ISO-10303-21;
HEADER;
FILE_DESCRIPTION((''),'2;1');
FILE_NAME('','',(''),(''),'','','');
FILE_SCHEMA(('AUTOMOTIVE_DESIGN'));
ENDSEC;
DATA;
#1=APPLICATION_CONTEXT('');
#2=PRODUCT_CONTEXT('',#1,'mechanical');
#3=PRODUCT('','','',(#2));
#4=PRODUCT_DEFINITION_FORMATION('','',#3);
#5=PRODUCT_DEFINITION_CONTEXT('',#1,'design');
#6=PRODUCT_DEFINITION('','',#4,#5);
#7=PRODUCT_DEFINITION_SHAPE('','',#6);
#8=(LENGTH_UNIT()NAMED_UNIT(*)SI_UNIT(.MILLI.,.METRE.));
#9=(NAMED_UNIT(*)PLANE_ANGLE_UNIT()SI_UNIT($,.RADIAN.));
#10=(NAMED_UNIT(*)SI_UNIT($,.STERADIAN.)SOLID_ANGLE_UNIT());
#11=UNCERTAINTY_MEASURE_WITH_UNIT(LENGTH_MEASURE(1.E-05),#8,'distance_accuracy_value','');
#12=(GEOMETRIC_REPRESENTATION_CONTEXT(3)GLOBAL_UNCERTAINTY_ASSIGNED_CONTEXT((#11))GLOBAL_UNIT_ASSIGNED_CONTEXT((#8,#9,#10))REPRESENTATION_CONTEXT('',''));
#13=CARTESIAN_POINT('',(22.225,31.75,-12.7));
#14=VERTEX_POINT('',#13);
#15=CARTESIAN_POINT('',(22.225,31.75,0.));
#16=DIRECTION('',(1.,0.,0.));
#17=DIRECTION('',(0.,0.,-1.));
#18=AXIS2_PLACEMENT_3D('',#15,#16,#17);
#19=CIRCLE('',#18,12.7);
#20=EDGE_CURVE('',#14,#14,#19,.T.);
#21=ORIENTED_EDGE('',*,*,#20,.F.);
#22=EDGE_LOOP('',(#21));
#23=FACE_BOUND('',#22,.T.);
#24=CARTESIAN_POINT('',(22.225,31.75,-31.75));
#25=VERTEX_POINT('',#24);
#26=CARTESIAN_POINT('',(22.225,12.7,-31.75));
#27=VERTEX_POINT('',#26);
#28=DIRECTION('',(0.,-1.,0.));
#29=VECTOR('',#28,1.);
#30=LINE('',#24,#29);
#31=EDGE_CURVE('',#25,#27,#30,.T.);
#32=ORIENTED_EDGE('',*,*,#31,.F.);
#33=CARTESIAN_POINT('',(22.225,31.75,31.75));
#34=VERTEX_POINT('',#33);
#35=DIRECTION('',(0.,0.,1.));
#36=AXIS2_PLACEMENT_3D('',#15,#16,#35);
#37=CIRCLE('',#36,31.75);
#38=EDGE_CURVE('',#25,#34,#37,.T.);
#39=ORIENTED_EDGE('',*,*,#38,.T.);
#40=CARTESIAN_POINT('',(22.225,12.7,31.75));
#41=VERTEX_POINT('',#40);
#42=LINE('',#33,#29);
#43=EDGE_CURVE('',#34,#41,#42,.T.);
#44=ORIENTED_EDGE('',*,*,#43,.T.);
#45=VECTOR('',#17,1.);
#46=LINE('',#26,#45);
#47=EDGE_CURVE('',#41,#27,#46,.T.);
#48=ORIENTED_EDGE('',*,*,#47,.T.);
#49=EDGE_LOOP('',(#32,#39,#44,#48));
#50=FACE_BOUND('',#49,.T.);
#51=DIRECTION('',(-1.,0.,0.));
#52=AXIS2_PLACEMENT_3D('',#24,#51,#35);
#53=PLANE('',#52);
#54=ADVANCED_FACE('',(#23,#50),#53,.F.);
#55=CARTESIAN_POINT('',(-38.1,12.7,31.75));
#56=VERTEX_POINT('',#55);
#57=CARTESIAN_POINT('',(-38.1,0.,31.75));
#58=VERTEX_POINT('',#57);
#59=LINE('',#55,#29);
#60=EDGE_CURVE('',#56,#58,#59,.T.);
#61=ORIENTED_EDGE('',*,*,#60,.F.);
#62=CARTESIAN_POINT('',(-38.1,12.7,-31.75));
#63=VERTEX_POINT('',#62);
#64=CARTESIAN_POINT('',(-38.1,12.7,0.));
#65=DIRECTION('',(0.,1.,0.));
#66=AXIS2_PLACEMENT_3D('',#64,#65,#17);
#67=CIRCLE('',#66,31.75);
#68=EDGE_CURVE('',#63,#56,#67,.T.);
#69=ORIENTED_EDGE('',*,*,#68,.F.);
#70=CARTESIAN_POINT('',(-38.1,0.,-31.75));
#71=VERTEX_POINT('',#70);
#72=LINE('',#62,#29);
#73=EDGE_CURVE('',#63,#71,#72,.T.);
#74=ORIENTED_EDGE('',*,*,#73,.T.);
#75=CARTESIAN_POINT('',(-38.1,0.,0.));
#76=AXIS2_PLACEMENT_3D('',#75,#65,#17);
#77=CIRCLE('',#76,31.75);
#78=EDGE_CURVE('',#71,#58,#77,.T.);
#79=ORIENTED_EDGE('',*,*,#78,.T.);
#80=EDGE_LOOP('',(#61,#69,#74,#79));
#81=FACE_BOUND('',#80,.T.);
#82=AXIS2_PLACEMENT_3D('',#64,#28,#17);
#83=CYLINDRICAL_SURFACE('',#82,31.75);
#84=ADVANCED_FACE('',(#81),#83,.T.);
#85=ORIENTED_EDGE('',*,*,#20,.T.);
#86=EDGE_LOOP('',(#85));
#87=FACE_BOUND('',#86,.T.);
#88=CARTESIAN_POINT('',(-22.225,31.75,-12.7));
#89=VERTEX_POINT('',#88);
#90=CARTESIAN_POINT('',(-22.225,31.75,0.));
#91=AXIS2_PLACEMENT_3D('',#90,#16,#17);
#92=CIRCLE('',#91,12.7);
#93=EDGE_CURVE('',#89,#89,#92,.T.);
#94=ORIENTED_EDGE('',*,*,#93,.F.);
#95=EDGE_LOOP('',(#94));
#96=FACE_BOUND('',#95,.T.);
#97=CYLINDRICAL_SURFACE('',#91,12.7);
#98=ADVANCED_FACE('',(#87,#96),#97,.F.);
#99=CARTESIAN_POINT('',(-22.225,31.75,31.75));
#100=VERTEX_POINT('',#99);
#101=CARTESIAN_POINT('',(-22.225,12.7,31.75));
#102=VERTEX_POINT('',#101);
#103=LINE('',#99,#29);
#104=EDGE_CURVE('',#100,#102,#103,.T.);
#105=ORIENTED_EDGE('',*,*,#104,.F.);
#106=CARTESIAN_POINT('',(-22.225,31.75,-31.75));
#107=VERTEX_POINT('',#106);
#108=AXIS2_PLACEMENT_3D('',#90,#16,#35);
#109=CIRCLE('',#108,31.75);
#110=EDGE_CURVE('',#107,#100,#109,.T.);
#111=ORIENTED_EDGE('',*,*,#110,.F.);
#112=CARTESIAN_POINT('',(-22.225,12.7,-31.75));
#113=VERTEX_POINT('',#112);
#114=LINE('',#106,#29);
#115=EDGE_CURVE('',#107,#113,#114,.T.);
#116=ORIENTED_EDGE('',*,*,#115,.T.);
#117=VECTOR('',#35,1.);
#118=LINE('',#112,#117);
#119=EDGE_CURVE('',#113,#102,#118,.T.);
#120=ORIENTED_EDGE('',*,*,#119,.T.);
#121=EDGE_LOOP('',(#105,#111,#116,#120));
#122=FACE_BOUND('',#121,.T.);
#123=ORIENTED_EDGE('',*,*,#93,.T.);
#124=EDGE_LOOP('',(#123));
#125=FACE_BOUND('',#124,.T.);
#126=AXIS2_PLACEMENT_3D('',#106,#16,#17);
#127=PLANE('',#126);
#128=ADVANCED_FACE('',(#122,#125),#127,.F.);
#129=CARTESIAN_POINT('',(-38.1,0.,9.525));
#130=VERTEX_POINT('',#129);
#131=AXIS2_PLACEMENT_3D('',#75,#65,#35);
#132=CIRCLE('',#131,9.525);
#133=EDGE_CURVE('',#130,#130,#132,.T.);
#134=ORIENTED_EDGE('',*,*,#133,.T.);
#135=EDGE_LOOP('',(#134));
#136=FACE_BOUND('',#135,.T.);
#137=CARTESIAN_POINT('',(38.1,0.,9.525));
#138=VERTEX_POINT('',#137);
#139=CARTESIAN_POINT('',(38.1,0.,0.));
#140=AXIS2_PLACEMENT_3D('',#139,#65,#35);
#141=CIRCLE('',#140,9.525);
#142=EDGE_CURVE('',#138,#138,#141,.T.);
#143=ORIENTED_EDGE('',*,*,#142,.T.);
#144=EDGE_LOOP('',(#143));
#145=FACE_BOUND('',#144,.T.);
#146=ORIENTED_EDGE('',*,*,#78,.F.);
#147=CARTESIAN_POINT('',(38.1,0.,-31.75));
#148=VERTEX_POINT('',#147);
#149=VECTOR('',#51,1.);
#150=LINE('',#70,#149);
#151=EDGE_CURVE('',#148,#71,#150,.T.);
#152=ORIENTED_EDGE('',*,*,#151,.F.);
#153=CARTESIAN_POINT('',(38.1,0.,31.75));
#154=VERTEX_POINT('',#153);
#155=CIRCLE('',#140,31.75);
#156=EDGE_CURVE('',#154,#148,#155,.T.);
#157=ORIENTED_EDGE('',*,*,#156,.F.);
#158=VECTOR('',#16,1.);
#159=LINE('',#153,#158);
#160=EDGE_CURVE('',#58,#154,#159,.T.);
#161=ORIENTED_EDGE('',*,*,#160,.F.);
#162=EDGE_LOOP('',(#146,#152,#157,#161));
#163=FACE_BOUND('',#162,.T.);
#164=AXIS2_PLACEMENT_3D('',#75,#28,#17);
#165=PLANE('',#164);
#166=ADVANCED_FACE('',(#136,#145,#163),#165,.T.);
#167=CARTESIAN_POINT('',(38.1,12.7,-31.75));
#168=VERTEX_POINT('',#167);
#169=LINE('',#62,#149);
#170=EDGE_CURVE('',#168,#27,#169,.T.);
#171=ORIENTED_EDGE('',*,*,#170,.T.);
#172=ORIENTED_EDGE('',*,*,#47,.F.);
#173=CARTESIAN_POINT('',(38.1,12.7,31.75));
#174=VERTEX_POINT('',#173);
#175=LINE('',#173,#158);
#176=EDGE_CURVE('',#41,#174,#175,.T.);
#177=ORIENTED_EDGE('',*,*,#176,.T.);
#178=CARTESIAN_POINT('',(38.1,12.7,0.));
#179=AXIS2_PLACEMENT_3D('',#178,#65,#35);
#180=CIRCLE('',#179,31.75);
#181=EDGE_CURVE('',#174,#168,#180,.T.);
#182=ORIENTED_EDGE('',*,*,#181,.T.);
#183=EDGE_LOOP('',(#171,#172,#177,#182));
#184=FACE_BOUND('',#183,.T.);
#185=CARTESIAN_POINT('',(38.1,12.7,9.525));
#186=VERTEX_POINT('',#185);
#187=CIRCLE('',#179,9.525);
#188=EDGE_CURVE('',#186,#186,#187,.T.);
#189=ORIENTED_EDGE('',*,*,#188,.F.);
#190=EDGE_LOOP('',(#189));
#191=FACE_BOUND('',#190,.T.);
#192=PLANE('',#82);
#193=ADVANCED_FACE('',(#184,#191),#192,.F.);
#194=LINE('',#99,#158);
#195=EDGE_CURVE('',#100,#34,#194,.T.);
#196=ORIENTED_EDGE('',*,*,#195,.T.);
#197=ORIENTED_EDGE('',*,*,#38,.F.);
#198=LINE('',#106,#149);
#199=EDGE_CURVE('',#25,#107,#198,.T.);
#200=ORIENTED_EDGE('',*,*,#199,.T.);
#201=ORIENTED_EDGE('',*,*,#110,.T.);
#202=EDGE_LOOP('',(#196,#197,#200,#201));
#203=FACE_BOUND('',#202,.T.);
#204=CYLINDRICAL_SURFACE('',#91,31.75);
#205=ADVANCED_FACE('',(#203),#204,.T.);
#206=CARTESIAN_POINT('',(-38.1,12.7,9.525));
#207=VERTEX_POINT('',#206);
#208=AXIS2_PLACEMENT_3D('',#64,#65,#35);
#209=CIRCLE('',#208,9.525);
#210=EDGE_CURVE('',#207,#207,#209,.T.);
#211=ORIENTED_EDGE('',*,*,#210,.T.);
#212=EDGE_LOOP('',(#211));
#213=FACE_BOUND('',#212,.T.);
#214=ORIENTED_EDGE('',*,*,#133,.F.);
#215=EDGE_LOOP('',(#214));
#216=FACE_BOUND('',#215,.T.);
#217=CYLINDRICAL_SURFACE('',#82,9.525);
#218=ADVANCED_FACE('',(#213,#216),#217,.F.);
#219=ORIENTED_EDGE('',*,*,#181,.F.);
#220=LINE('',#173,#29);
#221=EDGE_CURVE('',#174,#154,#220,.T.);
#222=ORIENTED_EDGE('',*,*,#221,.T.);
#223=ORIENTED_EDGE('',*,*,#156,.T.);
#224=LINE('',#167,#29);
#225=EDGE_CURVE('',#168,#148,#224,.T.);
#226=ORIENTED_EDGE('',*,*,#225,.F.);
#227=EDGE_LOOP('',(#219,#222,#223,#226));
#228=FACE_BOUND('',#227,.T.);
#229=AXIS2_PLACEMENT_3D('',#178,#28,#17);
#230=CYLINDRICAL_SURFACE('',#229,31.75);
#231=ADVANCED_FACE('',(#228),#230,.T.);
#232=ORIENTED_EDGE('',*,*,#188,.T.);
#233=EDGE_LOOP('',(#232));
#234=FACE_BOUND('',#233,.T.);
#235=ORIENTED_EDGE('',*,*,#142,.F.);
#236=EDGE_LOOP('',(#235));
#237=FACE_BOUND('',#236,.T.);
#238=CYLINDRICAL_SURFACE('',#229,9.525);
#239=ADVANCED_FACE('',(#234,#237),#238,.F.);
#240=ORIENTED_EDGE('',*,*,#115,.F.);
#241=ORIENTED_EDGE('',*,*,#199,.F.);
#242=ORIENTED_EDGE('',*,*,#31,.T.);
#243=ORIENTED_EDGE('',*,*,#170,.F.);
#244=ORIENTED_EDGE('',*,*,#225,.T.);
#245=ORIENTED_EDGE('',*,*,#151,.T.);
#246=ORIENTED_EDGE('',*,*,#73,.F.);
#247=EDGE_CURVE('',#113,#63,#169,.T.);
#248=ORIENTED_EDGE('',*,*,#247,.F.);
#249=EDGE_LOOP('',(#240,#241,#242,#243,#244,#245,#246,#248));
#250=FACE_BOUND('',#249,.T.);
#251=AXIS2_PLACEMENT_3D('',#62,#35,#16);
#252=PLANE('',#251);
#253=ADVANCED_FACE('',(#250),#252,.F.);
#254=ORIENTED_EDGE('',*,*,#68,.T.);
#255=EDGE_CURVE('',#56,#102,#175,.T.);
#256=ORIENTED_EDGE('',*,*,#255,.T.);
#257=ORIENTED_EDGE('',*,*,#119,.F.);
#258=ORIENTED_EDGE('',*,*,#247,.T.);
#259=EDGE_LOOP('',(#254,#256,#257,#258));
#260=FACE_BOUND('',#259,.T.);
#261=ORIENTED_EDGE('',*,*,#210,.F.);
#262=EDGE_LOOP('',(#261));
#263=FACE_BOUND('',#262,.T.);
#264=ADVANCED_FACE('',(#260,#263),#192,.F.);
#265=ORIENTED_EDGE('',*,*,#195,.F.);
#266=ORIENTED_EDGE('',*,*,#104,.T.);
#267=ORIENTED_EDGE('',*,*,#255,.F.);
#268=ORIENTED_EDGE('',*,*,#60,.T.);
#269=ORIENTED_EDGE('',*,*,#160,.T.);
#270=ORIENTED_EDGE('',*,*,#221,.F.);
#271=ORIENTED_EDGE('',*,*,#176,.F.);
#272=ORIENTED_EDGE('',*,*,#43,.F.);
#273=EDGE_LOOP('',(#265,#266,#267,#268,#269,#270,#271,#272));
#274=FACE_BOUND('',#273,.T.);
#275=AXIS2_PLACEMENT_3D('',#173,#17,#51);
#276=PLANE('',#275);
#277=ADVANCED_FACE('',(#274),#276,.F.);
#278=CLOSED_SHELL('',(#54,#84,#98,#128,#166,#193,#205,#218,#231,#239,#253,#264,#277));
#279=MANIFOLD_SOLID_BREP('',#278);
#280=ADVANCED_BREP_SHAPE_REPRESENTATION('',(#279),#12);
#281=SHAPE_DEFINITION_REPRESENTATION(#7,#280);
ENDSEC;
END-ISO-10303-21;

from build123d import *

# Parameters (mm, degrees)
SKETCH1_R           = 9.525
BOSS_EXTRUDE2_DEPTH = 12.7
SKETCH2_W           = 44.45
SKETCH2_H           = 63.5
BOSS_EXTRUDE3_DEPTH = 19.05
BOSS_EXTRUDE4_DEPTH = 44.45
SKETCH4_R           = 12.7
CUT_EXTRUDE1_DEPTH  = 44.45


with BuildPart() as part:
    # Sketch1 → Boss-Extrude2 (new body)
    with BuildSketch(Plane(origin=(0, 0, 0), x_dir=(1, 0, 0), z_dir=(0, 1, 0))):
        with BuildLine():
            Line((-38.1, 31.75), (38.1, 31.75))
            ThreePointArc((38.1, 31.75), (69.85, 0), (38.1, -31.75))
            Line((38.1, -31.75), (-38.1, -31.75))
            ThreePointArc((-38.1, -31.75), (-69.85, 0), (-38.1, 31.75))
        make_face()
        with Locations((-38.1, 0)):
            Circle(SKETCH1_R, mode=Mode.SUBTRACT)
        with Locations((38.1, 0)):
            Circle(SKETCH1_R, mode=Mode.SUBTRACT)
    extrude(amount=BOSS_EXTRUDE2_DEPTH)

    # Sketch2 → Boss-Extrude3 (add)
    with BuildSketch(Plane(origin=(0, 12.7, 0), x_dir=(1, 0, 0), z_dir=(0, 1, 0))):
        Rectangle(SKETCH2_W, SKETCH2_H)
    extrude(amount=BOSS_EXTRUDE3_DEPTH)

    # Sketch3 → Boss-Extrude4 (add)
    with BuildSketch(Plane(origin=(22.225, 0, 0), x_dir=(0, 0, -1), z_dir=(1, 0, 0))):
        with BuildLine():
            Line((-31.75, 12.7), (31.75, 12.7))
            Line((31.75, 12.7), (31.75, 31.75))
            ThreePointArc((31.75, 31.75), (0, 63.5), (-31.75, 31.75))
            Line((-31.75, 31.75), (-31.75, 12.7))
        make_face()
    extrude(amount=-BOSS_EXTRUDE4_DEPTH)

    # Sketch4 → Cut-Extrude1 (cut)
    with BuildSketch(Plane(origin=(22.225, 0, 0), x_dir=(0, 0, -1), z_dir=(1, 0, 0))):
        with Locations((0, 31.75)):
            Circle(SKETCH4_R)
    extrude(amount=-CUT_EXTRUDE1_DEPTH, mode=Mode.SUBTRACT)


solid = part.part
